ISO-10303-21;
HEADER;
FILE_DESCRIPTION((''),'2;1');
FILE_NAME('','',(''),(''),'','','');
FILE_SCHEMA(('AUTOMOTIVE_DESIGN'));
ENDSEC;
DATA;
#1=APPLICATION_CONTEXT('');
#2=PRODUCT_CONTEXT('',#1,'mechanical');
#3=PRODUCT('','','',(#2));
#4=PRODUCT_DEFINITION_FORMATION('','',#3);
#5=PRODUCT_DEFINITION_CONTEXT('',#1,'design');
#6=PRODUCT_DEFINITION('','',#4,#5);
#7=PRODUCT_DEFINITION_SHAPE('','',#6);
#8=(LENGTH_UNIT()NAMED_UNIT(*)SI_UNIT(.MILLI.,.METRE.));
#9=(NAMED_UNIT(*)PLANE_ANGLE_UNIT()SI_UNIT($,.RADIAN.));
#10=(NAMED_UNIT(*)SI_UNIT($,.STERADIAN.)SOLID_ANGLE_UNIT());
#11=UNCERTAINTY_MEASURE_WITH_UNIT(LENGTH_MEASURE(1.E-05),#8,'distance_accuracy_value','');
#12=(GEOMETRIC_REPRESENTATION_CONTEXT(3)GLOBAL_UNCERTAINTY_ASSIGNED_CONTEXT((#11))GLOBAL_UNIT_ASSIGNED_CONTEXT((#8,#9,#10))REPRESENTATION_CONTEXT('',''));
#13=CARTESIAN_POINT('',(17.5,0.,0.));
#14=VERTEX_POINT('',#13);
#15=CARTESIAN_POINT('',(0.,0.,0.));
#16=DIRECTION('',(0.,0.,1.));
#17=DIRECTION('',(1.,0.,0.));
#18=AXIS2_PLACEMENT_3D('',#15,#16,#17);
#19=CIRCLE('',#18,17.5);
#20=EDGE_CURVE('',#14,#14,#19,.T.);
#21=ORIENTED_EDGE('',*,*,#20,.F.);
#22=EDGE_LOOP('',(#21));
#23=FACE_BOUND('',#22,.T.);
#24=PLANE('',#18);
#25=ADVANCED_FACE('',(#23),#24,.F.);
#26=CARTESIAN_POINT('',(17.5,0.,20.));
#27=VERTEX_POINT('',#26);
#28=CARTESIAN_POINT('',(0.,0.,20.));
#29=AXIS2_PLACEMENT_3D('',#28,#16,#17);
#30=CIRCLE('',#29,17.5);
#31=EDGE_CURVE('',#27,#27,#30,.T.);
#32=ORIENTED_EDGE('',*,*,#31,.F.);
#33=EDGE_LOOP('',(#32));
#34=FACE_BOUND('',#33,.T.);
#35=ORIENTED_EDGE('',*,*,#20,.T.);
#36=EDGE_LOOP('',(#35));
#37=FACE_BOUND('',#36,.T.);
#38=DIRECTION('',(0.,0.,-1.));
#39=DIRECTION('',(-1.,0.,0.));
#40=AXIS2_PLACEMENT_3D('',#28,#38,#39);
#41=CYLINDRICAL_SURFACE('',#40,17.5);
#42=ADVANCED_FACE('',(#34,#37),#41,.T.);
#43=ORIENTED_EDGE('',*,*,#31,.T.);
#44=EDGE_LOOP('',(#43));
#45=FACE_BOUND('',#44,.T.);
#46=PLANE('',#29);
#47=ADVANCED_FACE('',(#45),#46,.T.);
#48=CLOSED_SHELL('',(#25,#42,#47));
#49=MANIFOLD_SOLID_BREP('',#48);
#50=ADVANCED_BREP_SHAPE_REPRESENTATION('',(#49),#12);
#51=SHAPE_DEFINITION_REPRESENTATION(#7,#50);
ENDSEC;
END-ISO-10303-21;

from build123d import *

# Parameters (mm, degrees)
SKETCH_1_R      = 17.5
EXTRUDE_1_DEPTH = 20


with BuildPart() as part:
    # 草图1 → 凸台-拉伸1 (new body)
    with BuildSketch(Plane.XY):
        Circle(SKETCH_1_R)
    extrude(amount=EXTRUDE_1_DEPTH)


solid = part.part
